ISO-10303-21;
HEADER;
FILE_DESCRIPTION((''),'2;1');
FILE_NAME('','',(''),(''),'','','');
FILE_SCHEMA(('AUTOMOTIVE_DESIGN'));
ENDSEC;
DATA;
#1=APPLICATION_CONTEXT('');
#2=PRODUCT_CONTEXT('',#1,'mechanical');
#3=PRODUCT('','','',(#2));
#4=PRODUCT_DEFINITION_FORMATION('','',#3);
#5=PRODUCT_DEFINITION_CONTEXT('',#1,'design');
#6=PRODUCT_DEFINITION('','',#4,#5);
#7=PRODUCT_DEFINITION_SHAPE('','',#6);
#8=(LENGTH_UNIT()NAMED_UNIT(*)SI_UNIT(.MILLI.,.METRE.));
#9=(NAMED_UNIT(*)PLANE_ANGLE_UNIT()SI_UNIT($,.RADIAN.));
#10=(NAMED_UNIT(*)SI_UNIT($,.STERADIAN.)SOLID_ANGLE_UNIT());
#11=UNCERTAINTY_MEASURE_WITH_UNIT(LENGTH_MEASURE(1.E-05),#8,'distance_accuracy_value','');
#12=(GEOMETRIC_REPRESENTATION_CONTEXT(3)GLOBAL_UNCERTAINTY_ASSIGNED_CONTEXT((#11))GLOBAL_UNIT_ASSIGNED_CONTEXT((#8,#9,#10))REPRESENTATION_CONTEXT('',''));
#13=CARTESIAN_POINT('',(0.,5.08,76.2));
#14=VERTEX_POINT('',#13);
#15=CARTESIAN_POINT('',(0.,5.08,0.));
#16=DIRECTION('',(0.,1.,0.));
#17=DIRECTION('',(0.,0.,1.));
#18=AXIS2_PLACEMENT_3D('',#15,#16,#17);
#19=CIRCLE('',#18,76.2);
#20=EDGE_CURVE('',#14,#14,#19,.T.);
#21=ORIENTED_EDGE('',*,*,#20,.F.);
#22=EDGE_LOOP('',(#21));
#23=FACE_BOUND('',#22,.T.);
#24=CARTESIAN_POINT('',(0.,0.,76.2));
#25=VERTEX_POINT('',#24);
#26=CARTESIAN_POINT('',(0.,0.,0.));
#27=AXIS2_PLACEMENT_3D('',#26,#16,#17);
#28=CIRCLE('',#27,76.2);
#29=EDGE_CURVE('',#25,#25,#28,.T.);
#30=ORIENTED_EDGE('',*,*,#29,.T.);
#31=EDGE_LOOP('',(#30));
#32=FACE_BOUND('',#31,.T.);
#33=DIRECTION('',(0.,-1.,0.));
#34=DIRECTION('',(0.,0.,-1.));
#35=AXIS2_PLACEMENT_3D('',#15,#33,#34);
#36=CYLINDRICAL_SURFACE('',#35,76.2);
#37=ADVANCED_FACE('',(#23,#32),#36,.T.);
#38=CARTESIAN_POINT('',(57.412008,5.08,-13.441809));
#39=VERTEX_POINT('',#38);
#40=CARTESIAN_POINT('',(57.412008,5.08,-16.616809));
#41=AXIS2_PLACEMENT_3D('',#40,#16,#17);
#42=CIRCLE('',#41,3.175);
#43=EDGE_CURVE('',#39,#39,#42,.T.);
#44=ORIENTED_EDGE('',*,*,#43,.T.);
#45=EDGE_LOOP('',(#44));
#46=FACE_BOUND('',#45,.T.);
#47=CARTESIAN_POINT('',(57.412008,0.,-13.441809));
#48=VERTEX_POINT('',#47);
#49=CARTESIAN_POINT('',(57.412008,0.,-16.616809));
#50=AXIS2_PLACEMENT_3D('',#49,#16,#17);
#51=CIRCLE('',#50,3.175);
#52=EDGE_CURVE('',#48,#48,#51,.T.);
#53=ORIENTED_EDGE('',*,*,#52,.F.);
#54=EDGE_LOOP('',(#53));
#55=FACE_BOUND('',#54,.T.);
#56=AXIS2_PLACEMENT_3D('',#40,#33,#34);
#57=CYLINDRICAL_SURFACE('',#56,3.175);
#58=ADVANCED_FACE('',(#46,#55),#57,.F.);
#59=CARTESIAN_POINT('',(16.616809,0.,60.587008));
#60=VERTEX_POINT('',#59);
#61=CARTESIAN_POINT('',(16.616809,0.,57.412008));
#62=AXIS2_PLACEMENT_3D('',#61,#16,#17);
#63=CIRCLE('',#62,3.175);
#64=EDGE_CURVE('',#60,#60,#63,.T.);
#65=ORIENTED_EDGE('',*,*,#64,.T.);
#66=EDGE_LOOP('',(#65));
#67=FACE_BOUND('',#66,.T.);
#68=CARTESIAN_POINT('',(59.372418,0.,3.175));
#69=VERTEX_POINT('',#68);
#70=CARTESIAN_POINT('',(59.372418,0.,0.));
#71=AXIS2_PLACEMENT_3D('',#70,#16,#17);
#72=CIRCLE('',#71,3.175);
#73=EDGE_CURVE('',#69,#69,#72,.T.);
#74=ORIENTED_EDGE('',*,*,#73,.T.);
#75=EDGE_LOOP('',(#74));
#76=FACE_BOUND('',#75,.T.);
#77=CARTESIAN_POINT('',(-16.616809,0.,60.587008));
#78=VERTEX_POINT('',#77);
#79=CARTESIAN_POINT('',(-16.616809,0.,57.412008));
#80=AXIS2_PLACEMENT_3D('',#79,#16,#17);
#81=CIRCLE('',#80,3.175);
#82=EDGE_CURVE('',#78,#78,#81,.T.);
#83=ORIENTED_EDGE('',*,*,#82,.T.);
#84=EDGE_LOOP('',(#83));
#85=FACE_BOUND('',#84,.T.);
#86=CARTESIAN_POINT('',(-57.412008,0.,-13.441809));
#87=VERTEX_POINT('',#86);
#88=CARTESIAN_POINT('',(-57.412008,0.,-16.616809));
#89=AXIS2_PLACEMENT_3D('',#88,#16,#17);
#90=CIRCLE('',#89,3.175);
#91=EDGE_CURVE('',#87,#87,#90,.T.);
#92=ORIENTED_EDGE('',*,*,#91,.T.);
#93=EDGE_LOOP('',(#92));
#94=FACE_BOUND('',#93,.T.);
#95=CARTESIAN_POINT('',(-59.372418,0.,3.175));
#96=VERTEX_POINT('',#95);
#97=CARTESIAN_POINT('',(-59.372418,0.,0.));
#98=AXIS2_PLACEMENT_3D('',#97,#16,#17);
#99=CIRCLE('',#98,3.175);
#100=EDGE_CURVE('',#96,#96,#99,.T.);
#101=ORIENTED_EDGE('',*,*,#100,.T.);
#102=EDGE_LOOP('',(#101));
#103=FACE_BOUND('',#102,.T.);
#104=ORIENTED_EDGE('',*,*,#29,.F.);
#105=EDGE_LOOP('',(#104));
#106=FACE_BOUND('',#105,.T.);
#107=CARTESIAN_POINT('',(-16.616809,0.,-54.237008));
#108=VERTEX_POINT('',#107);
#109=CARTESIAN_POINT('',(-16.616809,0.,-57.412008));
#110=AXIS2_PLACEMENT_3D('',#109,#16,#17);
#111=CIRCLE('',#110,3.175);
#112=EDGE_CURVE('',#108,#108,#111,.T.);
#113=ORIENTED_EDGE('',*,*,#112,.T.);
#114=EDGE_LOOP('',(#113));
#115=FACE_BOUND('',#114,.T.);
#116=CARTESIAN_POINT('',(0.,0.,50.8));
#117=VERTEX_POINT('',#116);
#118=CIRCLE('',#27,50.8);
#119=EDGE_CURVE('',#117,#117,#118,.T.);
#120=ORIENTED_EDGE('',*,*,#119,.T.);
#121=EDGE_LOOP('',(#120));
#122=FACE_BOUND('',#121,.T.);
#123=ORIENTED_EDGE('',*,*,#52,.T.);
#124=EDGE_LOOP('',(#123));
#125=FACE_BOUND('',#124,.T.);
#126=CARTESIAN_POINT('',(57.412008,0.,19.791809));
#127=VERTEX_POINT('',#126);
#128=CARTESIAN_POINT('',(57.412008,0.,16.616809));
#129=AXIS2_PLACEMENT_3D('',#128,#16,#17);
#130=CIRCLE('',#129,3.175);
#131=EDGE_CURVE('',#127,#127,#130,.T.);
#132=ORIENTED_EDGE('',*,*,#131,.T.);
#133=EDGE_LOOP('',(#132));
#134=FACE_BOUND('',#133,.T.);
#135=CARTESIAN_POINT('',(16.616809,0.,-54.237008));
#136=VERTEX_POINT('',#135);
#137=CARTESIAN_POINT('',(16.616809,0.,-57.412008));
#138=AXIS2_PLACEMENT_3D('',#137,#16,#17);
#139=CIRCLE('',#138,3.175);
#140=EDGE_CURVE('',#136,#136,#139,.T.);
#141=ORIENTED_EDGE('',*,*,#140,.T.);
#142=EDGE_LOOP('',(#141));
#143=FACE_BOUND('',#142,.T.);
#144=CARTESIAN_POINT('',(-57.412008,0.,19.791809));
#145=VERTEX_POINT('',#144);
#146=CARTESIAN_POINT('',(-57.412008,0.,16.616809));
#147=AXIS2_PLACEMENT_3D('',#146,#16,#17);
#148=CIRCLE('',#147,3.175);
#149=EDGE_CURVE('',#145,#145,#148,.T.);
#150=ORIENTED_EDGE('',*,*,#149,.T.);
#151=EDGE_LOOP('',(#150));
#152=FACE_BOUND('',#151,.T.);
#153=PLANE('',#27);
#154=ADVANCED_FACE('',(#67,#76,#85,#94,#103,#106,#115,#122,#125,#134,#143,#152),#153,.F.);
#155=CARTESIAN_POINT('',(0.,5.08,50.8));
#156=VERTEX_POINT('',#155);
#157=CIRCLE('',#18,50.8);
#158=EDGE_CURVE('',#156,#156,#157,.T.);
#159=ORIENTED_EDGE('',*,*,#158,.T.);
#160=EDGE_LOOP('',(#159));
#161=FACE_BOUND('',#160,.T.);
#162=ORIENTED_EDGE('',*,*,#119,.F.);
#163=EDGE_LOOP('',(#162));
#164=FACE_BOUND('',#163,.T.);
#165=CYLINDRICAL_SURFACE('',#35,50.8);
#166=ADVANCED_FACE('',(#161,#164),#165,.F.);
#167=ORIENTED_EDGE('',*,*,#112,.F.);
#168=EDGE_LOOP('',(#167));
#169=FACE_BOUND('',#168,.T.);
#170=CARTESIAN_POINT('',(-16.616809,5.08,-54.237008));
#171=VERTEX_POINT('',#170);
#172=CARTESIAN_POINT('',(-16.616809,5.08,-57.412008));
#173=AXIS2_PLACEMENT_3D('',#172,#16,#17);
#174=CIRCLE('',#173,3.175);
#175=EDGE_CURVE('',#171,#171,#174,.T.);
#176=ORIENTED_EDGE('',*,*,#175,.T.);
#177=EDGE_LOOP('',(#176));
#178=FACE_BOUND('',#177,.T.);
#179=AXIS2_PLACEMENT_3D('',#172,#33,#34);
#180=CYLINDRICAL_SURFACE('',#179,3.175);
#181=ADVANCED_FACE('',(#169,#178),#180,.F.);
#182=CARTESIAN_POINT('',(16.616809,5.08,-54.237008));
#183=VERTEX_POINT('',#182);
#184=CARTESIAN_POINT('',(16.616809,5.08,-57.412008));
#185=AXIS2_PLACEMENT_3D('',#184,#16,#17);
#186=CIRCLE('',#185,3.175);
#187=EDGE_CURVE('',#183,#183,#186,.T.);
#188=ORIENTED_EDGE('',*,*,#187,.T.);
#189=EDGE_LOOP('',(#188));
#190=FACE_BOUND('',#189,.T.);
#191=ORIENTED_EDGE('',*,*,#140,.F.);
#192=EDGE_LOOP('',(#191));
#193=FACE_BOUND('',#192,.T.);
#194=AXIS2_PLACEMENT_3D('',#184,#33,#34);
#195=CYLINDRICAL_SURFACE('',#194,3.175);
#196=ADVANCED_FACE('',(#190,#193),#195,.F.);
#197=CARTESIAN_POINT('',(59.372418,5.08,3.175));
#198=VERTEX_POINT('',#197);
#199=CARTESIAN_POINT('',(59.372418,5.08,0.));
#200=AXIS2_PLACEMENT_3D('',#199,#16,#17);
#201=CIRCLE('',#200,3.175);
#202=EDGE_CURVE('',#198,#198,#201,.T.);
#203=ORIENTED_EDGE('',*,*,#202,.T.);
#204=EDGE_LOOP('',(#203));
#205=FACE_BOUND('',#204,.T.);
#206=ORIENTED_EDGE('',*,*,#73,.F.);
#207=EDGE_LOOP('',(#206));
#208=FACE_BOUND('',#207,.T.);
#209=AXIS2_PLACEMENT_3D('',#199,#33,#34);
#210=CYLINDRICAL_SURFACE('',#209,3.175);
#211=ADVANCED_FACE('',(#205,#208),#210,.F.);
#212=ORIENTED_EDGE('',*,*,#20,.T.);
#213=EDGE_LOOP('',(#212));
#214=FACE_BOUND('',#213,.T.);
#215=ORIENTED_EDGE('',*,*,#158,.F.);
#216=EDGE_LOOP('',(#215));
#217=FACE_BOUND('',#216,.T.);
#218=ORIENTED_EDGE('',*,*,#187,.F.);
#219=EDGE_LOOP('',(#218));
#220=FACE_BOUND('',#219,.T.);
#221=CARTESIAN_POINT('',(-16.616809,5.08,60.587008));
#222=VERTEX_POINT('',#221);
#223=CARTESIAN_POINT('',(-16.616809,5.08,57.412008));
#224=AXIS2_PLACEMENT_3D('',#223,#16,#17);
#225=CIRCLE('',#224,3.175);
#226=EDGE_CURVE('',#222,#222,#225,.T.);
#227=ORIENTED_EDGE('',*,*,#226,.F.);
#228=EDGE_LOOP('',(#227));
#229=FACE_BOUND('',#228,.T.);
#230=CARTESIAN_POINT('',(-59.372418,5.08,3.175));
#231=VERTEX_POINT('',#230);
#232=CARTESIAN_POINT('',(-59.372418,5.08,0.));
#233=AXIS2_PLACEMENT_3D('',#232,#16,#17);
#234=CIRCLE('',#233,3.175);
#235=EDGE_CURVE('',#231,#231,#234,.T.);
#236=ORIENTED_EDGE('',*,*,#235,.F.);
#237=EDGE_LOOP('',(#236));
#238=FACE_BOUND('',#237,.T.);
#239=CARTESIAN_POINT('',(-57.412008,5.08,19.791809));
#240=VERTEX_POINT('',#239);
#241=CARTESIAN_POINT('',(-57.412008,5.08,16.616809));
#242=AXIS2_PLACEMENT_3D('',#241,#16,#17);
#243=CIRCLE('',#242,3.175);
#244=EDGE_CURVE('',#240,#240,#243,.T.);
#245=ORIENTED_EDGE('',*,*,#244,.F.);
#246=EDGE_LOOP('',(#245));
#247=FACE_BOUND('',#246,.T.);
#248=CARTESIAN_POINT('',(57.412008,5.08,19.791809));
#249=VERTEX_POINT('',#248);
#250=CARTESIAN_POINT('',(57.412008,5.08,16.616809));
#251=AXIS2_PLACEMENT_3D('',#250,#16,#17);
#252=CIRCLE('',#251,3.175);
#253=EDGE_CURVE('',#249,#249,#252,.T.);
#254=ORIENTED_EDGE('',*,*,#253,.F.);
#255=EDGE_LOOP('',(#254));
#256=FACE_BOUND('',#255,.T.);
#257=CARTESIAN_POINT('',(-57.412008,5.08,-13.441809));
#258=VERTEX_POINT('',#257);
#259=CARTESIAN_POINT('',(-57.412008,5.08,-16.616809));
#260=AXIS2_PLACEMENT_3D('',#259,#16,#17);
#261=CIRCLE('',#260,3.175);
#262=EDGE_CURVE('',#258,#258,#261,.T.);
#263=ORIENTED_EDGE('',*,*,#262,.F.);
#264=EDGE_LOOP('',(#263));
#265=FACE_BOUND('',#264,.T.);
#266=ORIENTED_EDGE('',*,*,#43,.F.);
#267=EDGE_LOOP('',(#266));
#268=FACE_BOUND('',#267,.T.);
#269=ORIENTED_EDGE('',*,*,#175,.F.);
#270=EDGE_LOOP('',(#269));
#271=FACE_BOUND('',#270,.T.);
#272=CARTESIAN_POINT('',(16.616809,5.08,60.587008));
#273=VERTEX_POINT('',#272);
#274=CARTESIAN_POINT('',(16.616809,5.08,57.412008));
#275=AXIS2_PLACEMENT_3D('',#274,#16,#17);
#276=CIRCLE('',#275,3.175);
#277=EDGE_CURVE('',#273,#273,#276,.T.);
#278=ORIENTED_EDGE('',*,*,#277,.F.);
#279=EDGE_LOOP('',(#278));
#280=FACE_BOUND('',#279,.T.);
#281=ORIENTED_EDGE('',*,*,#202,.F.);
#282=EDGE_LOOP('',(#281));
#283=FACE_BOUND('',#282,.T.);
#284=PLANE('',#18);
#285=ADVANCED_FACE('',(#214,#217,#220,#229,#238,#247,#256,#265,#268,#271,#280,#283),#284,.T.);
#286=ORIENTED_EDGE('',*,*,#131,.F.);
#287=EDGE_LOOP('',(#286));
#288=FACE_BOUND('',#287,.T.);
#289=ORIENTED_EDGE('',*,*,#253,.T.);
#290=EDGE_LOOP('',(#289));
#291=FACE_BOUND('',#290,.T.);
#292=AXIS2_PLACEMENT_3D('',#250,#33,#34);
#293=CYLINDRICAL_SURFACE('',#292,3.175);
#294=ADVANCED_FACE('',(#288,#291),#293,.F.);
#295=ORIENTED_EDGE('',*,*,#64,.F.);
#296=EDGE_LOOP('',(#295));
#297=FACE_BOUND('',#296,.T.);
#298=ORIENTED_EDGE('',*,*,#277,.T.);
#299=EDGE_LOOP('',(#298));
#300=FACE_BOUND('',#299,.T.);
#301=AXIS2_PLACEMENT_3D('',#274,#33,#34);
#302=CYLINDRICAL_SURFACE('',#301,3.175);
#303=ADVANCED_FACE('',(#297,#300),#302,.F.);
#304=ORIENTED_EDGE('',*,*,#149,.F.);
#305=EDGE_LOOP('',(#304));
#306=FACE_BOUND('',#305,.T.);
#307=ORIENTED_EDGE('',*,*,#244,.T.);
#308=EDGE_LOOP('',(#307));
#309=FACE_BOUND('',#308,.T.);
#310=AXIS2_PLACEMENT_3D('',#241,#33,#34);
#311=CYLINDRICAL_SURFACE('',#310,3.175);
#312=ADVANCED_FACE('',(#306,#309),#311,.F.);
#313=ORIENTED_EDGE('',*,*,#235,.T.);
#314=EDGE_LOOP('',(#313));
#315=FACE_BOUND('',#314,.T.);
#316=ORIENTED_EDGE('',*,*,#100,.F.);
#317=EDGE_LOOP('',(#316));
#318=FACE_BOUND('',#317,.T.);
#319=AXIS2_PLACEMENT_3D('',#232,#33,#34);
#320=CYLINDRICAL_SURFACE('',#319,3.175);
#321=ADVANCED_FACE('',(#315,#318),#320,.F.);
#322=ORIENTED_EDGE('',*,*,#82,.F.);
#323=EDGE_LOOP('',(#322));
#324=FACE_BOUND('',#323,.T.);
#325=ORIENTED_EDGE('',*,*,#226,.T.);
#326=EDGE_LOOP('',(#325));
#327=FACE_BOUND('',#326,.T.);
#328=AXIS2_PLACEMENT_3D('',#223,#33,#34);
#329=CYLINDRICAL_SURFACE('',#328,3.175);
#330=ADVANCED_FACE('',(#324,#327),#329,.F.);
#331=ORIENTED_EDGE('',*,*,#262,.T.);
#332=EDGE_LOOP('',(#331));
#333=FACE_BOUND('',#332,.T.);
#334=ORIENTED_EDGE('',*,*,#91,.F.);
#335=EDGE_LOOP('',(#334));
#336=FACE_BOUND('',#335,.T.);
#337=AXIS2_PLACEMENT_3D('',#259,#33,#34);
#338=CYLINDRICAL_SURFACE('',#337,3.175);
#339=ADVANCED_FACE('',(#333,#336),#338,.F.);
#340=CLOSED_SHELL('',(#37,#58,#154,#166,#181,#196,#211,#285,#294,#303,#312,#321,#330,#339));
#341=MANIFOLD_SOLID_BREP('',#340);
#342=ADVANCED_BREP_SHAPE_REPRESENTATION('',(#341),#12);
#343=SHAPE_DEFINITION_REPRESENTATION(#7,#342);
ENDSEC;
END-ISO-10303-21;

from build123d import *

# Parameters (mm, degrees)
SKETCH1_R           = 76.2
SKETCH1_R_2         = 50.8
SKETCH1_R_3         = 3.175
BOSS_EXTRUDE1_DEPTH = 5.08


with BuildPart() as part:
    # Sketch1 → Boss-Extrude1 (new body)
    with BuildSketch(Plane(origin=(0, 0, 0), x_dir=(1, 0, 0), z_dir=(0, 1, 0))):
        with Locations(Location((0, 0, 0), (0, 0, 270))):
            Circle(SKETCH1_R)
        with Locations(Location((0, 0, 0), (0, 0, 270))):
            Circle(SKETCH1_R_2, mode=Mode.SUBTRACT)
        with Locations(Location((-16.616808798, 57.412007925, 0), (0, 0, 270))):
            Circle(SKETCH1_R_3, mode=Mode.SUBTRACT)
        with Locations(Location((16.616808798, 57.412007925, 0), (0, 0, 270))):
            Circle(SKETCH1_R_3, mode=Mode.SUBTRACT)
        with Locations(Location((57.412007925, 16.616808798, 0), (0, 0, 270))):
            Circle(SKETCH1_R_3, mode=Mode.SUBTRACT)
        with Locations(Location((16.616808798, -57.412007925, 0), (0, 0, 270))):
            Circle(SKETCH1_R_3, mode=Mode.SUBTRACT)
        with Locations(Location((-57.412007925, -16.616808798, 0), (0, 0, 270))):
            Circle(SKETCH1_R_3, mode=Mode.SUBTRACT)
        with Locations(Location((57.412007925, -16.616808798, 0), (0, 0, 270))):
            Circle(SKETCH1_R_3, mode=Mode.SUBTRACT)
        with Locations(Location((-16.616808798, -57.412007925, 0), (0, 0, 270))):
            Circle(SKETCH1_R_3, mode=Mode.SUBTRACT)
        with Locations(Location((-57.412007925, 16.616808798, 0), (0, 0, 270))):
            Circle(SKETCH1_R_3, mode=Mode.SUBTRACT)
        with Locations(Location((-59.372417952, 0, 0), (0, 0, 270))):
            Circle(SKETCH1_R_3, mode=Mode.SUBTRACT)
        with Locations(Location((59.372417952, 0, 0), (0, 0, 270))):
            Circle(SKETCH1_R_3, mode=Mode.SUBTRACT)
    extrude(amount=BOSS_EXTRUDE1_DEPTH)


solid = part.part
